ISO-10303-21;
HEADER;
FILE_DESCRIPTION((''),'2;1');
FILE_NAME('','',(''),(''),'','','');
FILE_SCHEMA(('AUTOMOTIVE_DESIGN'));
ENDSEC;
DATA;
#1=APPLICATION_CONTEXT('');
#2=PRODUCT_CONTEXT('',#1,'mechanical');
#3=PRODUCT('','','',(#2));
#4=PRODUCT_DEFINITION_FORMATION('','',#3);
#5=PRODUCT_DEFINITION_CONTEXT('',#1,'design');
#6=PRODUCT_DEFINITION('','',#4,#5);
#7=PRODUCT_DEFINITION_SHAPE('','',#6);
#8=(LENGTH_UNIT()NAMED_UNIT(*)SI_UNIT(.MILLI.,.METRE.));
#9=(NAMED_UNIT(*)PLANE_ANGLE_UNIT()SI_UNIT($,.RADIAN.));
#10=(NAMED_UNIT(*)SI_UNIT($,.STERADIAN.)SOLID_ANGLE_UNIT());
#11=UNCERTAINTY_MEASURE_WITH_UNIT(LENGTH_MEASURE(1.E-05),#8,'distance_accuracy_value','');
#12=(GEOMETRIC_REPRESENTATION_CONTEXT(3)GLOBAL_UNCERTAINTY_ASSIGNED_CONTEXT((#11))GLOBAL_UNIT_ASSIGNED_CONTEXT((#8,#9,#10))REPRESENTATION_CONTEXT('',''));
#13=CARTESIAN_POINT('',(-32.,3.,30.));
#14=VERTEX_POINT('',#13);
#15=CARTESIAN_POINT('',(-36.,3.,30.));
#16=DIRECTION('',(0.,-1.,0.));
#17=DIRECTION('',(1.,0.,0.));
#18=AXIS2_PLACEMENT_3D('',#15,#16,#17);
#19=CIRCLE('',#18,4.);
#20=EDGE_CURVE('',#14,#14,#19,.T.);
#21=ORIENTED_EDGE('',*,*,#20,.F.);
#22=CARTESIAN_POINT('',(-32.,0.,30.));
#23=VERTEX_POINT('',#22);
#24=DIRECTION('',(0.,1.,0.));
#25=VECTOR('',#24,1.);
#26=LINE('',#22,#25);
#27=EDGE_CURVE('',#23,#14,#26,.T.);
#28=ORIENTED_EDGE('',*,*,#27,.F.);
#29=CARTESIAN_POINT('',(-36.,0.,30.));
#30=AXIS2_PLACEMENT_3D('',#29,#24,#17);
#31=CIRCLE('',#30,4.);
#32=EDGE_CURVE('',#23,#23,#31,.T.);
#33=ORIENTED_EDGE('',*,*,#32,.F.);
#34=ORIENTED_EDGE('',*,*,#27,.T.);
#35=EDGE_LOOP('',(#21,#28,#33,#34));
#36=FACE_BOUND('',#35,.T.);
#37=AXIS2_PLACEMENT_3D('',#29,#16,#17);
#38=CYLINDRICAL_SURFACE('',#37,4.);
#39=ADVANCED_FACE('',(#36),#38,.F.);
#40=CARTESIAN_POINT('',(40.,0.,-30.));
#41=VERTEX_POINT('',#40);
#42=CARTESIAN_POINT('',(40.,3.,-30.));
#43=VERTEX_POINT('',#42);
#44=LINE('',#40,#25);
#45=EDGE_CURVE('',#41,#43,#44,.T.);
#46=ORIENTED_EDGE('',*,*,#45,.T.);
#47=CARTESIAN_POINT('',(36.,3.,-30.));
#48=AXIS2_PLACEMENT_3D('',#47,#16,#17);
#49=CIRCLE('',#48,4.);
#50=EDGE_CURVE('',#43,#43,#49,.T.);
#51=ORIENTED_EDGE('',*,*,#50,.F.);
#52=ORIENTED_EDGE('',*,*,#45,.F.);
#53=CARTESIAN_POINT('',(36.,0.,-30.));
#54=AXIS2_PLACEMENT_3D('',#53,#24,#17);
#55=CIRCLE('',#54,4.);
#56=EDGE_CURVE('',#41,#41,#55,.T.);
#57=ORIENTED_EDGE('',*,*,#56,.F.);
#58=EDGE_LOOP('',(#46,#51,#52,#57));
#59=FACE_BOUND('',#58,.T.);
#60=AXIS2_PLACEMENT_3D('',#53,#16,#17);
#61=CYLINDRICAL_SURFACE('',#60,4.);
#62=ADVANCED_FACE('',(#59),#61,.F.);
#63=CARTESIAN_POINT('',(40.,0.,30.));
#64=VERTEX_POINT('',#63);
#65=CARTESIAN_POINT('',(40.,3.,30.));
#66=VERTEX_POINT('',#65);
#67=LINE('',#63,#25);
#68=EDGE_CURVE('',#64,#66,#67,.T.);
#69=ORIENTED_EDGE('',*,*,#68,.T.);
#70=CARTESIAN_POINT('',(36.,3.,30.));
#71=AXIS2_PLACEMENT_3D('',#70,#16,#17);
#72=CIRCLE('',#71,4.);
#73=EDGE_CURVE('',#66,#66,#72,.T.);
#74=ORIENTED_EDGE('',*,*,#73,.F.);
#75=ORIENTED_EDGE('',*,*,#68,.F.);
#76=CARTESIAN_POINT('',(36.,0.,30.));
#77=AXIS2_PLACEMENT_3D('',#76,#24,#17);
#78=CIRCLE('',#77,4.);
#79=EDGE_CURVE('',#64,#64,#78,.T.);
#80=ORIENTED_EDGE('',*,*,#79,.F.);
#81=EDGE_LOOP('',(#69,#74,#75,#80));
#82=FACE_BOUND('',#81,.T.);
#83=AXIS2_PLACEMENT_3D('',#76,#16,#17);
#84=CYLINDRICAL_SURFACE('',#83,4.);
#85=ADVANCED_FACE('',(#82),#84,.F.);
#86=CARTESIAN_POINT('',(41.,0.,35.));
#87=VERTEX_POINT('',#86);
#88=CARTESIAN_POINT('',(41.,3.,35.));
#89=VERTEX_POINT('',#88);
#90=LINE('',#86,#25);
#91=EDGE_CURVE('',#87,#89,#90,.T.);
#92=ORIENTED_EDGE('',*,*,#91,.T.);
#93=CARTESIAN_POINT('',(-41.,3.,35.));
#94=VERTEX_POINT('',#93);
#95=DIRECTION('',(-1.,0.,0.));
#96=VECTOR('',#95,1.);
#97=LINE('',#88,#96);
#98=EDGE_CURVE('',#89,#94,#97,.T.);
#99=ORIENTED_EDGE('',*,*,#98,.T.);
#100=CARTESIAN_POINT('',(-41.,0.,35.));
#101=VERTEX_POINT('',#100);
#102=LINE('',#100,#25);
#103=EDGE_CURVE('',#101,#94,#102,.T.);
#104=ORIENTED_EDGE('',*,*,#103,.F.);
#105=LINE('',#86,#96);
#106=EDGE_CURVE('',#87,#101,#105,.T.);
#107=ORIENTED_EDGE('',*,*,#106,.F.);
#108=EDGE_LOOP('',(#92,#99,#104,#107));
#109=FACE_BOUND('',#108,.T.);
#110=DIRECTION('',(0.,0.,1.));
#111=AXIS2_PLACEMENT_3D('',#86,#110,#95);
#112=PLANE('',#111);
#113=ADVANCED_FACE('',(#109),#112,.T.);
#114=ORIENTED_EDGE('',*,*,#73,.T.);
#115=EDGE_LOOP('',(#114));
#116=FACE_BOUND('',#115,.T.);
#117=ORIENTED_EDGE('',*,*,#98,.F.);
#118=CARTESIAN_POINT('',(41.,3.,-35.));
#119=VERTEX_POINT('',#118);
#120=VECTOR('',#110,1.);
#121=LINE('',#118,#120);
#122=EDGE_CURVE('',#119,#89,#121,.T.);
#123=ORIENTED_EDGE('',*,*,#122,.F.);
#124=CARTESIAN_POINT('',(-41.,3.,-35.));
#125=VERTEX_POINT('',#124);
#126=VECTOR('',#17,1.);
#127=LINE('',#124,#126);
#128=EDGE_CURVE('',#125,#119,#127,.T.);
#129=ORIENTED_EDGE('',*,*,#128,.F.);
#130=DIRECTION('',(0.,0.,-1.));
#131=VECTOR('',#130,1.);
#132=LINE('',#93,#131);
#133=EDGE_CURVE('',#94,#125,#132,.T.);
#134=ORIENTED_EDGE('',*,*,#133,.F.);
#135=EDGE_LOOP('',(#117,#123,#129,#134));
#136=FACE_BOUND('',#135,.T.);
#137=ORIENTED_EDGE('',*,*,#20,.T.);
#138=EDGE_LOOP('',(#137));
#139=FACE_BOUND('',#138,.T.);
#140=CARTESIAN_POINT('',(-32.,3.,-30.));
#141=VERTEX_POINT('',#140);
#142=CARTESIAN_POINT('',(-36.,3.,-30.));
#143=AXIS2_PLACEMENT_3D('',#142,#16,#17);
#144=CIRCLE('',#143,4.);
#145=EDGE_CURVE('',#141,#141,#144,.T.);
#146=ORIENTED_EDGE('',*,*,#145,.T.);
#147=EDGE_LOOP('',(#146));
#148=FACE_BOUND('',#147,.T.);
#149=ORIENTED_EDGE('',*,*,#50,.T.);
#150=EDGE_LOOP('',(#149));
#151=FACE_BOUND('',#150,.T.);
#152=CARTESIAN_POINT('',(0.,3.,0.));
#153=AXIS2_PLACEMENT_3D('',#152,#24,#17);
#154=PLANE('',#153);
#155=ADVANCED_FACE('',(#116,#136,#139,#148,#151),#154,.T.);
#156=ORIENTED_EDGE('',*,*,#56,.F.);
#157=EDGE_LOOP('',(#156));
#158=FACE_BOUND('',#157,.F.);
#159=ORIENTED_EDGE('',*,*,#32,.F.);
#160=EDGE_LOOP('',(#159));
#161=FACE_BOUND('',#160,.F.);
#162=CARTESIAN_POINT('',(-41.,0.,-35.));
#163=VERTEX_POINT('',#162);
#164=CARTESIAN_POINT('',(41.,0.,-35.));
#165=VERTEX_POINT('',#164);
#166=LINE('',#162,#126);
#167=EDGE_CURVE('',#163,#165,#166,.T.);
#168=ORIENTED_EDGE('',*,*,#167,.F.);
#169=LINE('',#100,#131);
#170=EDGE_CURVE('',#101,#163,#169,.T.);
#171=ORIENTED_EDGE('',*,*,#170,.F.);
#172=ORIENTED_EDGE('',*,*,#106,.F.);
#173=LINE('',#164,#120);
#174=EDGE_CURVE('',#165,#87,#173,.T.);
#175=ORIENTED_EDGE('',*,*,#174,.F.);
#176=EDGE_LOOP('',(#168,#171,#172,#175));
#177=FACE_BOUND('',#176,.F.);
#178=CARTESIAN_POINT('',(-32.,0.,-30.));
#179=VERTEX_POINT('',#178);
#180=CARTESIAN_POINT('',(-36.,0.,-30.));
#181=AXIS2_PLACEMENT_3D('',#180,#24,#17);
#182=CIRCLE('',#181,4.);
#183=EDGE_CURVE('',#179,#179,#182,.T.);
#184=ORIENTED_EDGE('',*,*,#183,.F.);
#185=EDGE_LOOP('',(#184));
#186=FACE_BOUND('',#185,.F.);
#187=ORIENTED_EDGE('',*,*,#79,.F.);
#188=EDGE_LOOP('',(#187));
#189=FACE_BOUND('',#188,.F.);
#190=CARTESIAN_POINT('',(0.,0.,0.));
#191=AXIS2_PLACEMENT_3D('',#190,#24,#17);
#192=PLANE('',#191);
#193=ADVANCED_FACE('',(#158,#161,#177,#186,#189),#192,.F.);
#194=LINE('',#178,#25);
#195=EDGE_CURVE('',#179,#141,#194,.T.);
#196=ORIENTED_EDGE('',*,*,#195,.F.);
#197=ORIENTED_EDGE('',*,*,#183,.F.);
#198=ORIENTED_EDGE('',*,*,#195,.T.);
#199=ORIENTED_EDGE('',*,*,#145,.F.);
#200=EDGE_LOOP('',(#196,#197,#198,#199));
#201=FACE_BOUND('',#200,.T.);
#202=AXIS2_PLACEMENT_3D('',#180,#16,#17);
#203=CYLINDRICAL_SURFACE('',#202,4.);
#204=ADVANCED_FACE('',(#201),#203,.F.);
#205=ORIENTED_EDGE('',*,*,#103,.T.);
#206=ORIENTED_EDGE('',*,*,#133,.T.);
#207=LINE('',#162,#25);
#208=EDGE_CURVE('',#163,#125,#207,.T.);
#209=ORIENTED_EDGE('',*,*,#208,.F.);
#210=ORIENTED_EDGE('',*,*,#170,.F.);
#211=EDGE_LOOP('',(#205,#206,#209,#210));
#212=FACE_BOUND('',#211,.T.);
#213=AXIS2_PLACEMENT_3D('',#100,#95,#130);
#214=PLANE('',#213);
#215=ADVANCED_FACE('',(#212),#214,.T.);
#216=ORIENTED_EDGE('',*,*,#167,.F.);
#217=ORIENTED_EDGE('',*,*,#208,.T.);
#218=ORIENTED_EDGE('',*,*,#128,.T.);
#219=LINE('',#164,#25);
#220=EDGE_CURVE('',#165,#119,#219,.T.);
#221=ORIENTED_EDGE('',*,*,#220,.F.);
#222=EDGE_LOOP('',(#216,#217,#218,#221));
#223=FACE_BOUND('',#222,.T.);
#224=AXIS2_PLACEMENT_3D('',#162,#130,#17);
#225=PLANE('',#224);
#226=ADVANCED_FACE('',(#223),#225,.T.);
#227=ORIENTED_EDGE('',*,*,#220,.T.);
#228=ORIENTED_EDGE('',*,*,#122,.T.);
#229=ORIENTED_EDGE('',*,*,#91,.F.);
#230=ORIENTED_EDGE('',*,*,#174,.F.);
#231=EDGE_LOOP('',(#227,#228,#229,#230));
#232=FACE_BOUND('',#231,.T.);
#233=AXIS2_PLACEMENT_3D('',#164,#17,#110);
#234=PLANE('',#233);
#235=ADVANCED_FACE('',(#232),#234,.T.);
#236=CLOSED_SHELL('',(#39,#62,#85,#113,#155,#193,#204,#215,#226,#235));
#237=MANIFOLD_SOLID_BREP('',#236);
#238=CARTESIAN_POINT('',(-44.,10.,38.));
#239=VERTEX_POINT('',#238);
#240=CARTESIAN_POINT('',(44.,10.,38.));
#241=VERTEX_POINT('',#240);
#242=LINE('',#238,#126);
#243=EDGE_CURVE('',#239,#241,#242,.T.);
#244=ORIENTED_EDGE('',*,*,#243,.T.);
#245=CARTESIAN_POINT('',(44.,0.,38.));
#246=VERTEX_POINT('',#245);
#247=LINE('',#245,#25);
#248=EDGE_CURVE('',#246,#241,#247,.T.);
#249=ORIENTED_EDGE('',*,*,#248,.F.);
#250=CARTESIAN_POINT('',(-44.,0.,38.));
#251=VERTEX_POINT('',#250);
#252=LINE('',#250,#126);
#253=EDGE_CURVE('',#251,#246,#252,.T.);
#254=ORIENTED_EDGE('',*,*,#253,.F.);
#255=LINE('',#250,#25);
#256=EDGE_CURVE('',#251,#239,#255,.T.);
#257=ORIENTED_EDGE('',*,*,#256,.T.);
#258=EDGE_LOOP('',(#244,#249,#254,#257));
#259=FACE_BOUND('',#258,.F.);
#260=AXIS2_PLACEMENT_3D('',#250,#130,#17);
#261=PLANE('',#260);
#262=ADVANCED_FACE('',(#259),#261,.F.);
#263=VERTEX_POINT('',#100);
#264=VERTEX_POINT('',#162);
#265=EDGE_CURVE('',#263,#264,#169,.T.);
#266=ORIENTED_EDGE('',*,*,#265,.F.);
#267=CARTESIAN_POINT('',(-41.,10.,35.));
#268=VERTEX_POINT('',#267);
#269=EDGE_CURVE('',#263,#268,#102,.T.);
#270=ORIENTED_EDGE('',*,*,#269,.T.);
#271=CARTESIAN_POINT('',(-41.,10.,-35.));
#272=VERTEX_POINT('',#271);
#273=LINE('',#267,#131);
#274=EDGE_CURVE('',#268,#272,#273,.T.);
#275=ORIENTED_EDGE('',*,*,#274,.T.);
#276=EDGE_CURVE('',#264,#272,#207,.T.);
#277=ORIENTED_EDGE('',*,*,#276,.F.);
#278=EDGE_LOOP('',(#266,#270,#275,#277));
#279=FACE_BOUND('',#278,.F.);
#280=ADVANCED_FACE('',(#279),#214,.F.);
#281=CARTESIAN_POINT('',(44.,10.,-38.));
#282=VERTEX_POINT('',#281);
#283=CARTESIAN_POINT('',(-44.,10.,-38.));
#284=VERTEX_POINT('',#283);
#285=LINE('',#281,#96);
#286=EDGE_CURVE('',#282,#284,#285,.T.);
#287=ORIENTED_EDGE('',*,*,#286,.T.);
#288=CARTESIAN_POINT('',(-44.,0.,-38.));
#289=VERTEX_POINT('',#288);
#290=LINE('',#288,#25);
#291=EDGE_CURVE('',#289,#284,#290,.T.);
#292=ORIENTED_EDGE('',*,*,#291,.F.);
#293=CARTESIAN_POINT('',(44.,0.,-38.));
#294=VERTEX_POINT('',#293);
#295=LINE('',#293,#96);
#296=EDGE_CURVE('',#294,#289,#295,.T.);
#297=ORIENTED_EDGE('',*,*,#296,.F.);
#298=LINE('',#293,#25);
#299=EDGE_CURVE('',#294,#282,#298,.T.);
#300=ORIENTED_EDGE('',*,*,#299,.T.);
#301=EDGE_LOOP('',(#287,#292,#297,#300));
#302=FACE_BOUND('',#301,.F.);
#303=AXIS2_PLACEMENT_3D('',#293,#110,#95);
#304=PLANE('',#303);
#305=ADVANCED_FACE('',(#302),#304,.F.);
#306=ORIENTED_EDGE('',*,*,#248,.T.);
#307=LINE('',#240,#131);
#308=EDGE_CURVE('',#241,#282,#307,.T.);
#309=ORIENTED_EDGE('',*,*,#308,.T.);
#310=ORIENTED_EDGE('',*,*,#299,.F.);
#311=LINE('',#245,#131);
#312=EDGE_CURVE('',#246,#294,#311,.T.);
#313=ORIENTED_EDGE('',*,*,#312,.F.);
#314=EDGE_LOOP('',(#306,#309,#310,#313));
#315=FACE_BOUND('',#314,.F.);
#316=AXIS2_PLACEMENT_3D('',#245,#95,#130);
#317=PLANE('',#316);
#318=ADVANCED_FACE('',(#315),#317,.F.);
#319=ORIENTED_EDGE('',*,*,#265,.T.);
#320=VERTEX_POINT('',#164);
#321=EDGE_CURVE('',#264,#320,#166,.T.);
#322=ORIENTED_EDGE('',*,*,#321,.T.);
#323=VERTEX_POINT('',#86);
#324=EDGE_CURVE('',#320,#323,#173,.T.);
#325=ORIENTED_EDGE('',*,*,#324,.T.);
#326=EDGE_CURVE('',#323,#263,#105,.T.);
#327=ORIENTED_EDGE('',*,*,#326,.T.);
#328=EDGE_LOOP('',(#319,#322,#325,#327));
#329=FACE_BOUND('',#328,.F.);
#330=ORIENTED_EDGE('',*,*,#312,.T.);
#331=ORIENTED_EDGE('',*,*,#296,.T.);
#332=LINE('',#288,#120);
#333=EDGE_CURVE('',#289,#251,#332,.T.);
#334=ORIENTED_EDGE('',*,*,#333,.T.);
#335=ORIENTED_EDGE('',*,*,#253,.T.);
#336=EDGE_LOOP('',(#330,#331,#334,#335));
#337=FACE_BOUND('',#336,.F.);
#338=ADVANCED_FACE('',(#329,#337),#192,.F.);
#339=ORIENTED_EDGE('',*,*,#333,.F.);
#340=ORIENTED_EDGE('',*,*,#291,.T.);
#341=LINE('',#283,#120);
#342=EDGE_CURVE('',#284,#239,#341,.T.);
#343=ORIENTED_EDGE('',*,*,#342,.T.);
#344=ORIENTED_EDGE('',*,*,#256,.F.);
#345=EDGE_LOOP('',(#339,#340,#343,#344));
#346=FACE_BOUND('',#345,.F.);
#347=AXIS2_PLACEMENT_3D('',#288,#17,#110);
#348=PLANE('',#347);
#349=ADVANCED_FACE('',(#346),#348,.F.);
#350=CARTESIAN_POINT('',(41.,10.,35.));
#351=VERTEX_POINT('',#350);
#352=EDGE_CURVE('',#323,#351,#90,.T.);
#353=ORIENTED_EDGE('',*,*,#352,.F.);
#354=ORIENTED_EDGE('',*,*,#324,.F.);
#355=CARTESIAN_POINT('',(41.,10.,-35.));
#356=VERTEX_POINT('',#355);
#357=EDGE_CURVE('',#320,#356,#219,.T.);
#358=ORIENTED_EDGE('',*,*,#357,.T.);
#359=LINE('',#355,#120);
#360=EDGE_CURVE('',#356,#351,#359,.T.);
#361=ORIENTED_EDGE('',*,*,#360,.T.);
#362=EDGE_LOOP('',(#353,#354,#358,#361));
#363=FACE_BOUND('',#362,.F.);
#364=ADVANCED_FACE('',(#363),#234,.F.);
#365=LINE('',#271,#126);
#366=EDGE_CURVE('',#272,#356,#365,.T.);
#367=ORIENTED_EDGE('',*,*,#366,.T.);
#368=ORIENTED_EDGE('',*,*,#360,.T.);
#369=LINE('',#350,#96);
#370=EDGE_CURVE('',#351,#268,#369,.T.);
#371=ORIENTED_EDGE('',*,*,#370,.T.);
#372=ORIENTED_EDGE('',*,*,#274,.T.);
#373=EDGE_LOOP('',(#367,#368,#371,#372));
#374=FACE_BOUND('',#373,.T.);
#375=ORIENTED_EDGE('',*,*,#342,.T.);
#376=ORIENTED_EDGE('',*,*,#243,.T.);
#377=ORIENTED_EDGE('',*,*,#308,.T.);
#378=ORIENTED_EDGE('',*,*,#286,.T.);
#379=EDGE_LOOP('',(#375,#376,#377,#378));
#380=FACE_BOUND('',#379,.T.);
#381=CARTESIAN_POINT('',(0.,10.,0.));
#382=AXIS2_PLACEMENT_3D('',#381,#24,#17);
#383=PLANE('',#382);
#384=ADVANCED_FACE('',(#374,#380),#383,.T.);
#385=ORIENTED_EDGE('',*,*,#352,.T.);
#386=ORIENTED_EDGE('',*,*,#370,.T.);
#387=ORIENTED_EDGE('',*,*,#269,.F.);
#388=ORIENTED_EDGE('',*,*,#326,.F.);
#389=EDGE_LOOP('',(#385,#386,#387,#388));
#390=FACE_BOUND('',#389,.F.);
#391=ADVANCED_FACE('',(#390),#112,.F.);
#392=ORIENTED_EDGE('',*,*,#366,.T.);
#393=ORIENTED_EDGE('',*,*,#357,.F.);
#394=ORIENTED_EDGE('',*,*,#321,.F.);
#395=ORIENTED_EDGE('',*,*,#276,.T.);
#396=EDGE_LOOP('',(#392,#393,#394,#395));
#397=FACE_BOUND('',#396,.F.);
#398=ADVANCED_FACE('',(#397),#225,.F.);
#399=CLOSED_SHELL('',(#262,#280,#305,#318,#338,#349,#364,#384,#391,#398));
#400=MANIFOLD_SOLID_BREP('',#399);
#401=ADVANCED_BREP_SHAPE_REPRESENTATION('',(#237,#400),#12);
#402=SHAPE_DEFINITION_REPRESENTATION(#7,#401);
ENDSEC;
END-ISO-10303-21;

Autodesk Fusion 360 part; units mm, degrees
sketch "Sketch1" plane through (0, 0, 0) normal (0, 1, 0) x (1, 0, 0)
  line L0 (-41, -35) -> (-41, 35)
  line L1 (41, -35) -> (-41, 35) construction
  line L2 (36, -30) -> (-36, -30)
  circle A0 centre (36, -30) radius 4
  circle A1 centre (-36, -30) radius 4
  line L3 (41, -35) -> (-41, -35)
  circle A2 centre (-36, 30) radius 4
  line L4 (-41, -35) -> (41, 35) construction
  line L5 (36, -30) -> (-36, 30) construction
  circle A3 centre (36, 30) radius 4
  line L6 (-36, -30) -> (36, 30) construction
  line L7 (36, 30) -> (36, -30)
  line L8 (-41, 35) -> (41, 35)
  line L9 (41, 35) -> (41, -35)
  line L10 (-36, 30) -> (36, 30)
  line L11 (-36, -30) -> (-36, 30)
  line L12 (44, 38) -> (-44, 38)
  line L13 (-44, 38) -> (-44, -38)
  line L14 (-44, -38) -> (44, -38)
  line L15 (44, -38) -> (44, 38)
  line L16 (44, 38) -> (-44, -38) construction
  line L17 (-44, 38) -> (44, -38) construction
  dimension "d1" = 82
  dimension "d2" = 70
  dimension "d3" = 60
  dimension "d4" = 72
  dimension "d5" = 8
  dimension "d6" = 8
  dimension "d7" = 8
  dimension "d8" = 8
  dimension "d9" = 88
  dimension "d10" = 76
extrude "Extrude1" add sketch "Sketch1" along normal blind 3 contours L0 L3 L8 L9 makes body 1
extrude "Extrude2" add sketch "Sketch1" along normal blind 10 separate body contours L12 L13 L14 L15 makes body 2
extrude "Extrude3" add sketch "Sketch1" along normal blind 3 contours L2 A1 L11 | L2 A0 A1 A2 A3 L7 L10 L11 | L2 A1 L11 | L2 A0 L7 | L2 A0 L7 | A2 L10 L11 | A2 L10 L11 | A3 L7 L10 | A3 L7 L10 bodies 1
extrude "Extrude4" cut sketch "Sketch1" along normal blind 10 contours L2 A1 L11 | L2 A1 L11 | L2 A0 L7 | L2 A0 L7 | A2 L10 L11 | A2 L10 L11 | A3 L7 L10 | A3 L7 L10 bodies 1
